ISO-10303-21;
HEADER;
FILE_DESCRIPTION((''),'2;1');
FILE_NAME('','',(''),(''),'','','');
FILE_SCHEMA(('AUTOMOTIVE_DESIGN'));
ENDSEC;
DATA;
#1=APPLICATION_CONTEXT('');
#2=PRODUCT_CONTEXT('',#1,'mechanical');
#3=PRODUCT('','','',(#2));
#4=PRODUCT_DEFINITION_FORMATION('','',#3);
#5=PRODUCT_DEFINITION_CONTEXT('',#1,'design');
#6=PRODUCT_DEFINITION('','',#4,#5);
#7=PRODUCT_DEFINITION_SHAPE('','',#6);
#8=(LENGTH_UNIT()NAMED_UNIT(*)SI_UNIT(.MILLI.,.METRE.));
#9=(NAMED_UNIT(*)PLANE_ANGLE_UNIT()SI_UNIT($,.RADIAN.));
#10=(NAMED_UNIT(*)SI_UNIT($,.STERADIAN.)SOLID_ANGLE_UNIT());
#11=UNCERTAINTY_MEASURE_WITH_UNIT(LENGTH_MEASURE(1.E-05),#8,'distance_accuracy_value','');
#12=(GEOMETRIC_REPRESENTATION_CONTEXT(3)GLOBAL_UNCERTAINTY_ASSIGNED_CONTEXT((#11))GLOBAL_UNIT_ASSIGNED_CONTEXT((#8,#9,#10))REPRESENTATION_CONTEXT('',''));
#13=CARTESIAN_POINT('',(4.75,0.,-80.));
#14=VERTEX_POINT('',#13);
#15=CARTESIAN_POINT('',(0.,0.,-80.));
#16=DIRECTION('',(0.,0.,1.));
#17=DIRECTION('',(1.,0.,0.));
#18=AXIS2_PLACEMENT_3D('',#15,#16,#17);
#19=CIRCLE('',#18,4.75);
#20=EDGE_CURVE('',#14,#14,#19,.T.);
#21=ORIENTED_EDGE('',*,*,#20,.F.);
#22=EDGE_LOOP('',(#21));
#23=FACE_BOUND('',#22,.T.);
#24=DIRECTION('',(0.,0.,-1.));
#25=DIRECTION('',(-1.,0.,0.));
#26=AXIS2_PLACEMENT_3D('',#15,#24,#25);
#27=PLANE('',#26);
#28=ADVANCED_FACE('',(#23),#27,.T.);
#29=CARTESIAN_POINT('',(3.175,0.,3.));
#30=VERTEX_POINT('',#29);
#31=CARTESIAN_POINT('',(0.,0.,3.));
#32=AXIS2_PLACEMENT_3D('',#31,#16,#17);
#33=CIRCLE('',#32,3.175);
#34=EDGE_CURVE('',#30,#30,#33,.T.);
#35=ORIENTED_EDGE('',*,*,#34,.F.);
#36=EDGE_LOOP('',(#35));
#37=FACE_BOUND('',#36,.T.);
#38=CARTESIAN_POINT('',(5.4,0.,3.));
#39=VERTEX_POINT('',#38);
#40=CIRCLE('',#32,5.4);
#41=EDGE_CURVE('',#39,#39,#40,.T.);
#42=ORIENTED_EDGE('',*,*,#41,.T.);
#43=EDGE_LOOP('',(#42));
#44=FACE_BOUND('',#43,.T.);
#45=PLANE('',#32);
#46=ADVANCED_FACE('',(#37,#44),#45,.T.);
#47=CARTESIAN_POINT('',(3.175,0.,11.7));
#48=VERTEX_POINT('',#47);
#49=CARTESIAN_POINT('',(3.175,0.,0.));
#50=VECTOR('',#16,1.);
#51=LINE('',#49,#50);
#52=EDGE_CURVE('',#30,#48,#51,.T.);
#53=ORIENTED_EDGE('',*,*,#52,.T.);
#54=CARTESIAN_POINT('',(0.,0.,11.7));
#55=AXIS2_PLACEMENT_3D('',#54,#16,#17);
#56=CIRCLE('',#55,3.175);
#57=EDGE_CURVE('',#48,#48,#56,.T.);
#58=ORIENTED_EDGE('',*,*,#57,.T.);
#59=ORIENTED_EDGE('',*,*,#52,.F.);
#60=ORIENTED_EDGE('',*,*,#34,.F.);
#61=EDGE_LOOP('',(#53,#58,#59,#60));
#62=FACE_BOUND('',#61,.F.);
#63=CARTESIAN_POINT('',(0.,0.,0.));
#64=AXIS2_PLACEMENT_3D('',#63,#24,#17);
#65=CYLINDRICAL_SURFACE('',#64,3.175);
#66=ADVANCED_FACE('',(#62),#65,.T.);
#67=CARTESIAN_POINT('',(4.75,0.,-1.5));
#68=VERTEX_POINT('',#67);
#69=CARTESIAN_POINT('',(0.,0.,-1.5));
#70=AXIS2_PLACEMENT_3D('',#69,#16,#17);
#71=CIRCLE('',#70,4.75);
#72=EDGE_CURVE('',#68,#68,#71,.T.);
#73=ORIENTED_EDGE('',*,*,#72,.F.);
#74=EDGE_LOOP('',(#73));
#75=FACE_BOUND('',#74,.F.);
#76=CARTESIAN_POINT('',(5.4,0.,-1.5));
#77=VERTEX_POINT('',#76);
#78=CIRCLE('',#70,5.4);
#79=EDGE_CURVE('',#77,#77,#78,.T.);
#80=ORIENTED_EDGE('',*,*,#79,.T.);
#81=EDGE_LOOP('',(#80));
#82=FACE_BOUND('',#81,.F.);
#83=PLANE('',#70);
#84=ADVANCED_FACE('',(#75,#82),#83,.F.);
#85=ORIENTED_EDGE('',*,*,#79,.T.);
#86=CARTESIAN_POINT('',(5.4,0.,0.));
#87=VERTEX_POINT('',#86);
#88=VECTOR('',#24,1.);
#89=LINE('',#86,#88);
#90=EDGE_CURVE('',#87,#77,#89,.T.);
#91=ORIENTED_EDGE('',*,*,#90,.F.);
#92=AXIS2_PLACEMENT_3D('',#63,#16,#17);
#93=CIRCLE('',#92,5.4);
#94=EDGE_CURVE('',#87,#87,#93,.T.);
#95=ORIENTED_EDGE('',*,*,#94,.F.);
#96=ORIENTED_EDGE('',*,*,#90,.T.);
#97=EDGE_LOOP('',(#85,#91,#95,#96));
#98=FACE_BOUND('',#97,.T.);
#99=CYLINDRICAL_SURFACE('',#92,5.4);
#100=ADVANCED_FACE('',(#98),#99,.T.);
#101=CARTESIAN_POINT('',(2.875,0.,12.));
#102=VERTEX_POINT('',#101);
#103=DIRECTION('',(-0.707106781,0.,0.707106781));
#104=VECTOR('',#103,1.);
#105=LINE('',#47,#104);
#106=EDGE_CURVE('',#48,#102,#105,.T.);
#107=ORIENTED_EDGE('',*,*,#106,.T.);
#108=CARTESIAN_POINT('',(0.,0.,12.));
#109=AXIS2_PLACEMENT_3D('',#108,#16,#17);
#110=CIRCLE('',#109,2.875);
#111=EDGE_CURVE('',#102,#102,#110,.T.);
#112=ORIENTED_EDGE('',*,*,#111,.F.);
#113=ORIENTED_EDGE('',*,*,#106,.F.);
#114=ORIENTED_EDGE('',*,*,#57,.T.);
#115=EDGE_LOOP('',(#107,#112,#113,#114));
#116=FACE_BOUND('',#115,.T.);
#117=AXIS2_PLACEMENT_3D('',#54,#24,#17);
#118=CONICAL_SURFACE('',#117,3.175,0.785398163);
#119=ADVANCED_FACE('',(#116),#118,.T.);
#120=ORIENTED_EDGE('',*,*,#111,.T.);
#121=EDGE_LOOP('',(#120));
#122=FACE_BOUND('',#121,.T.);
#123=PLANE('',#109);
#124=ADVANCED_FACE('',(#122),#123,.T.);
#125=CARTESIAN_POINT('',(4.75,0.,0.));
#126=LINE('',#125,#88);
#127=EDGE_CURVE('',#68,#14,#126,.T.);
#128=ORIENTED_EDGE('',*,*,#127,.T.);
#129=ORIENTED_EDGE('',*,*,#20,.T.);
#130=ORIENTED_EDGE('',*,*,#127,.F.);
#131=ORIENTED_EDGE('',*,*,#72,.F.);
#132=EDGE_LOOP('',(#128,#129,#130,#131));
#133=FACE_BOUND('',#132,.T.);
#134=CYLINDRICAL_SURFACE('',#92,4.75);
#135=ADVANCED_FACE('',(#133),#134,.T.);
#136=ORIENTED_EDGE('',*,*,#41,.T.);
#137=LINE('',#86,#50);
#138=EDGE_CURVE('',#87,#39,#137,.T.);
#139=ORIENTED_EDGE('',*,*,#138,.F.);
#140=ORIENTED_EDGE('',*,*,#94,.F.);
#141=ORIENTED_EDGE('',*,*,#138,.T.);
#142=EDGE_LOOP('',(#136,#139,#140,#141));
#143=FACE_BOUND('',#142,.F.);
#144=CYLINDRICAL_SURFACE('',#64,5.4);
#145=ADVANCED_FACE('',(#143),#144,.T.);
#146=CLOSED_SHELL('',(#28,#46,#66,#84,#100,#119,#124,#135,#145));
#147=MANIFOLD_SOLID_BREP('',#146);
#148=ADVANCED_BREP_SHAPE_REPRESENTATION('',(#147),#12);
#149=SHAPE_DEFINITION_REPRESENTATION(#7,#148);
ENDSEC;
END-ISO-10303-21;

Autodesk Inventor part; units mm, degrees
ref_plane "YZ Plane" through (0, 0, 0) normal (1, 0, 0) x (0, 1, 0)
ref_plane "XZ Plane" through (0, 0, 0) normal (0, 1, 0) x (-1, 0, 0)
ref_plane "XY Plane" through (0, 0, 0) normal (0, 0, 1) x (1, 0, 0)
sketch "Sketch1" plane through (0, 0, 0) normal (0, 0, 1) x (1, 0, 0)
  circle A0 centre (0, 0) radius 4.75
  circle A1 centre (0, 0) radius 5.4
  circle A2 centre (0, 0) radius 3.175
  dimension "d0" = 9.5
  dimension "d1" = 10.8
  dimension "d2" = 6.35
extrude "Extrusion1" add sketch "Sketch1" along normal blind 12 contours A2
extrude "Extrusion2" add sketch "Sketch1" against normal blind 80 contours A0
extrude "Extrusion3" add sketch "Sketch1" against normal blind 1.5 contours A1
sketch "Sketch2" plane through (0, 0, 0) normal (0, 0, -1) x (-1, 0, 0)
  circle A0 centre (0, 0) radius 3.175 projected
  circle A1 centre (0, 0) radius 3.175
extrude "Extrusion4" add sketch "Sketch2" along normal blind 80
chamfer "Chamfer1" distance 0.3 angle 45 1 edges at (-3.175, 0, 12)
extrude "Extrusion5" add sketch "Sketch1" along normal blind 3 contours A0 | A1
equation "\"BendRadius\" = Thickness"
equation "\"BendReliefWidth\" = Thickness"
equation "\"BendReliefDepth\" = 0.5 * Thickness"
equation "\"CornerReliefSize\" = 4 * Thickness"
equation "\"MinimumRemnant\" = 2 * Thickness"
equation "\"TransitionRadius\" = BendRadius"
equation "\"JacobiRadiusSize\" = BendRadius"
equation "\"GapSize\" = Thickness"
equation "\"Thickness\" = 0.5"
properties part number "trục đai"
